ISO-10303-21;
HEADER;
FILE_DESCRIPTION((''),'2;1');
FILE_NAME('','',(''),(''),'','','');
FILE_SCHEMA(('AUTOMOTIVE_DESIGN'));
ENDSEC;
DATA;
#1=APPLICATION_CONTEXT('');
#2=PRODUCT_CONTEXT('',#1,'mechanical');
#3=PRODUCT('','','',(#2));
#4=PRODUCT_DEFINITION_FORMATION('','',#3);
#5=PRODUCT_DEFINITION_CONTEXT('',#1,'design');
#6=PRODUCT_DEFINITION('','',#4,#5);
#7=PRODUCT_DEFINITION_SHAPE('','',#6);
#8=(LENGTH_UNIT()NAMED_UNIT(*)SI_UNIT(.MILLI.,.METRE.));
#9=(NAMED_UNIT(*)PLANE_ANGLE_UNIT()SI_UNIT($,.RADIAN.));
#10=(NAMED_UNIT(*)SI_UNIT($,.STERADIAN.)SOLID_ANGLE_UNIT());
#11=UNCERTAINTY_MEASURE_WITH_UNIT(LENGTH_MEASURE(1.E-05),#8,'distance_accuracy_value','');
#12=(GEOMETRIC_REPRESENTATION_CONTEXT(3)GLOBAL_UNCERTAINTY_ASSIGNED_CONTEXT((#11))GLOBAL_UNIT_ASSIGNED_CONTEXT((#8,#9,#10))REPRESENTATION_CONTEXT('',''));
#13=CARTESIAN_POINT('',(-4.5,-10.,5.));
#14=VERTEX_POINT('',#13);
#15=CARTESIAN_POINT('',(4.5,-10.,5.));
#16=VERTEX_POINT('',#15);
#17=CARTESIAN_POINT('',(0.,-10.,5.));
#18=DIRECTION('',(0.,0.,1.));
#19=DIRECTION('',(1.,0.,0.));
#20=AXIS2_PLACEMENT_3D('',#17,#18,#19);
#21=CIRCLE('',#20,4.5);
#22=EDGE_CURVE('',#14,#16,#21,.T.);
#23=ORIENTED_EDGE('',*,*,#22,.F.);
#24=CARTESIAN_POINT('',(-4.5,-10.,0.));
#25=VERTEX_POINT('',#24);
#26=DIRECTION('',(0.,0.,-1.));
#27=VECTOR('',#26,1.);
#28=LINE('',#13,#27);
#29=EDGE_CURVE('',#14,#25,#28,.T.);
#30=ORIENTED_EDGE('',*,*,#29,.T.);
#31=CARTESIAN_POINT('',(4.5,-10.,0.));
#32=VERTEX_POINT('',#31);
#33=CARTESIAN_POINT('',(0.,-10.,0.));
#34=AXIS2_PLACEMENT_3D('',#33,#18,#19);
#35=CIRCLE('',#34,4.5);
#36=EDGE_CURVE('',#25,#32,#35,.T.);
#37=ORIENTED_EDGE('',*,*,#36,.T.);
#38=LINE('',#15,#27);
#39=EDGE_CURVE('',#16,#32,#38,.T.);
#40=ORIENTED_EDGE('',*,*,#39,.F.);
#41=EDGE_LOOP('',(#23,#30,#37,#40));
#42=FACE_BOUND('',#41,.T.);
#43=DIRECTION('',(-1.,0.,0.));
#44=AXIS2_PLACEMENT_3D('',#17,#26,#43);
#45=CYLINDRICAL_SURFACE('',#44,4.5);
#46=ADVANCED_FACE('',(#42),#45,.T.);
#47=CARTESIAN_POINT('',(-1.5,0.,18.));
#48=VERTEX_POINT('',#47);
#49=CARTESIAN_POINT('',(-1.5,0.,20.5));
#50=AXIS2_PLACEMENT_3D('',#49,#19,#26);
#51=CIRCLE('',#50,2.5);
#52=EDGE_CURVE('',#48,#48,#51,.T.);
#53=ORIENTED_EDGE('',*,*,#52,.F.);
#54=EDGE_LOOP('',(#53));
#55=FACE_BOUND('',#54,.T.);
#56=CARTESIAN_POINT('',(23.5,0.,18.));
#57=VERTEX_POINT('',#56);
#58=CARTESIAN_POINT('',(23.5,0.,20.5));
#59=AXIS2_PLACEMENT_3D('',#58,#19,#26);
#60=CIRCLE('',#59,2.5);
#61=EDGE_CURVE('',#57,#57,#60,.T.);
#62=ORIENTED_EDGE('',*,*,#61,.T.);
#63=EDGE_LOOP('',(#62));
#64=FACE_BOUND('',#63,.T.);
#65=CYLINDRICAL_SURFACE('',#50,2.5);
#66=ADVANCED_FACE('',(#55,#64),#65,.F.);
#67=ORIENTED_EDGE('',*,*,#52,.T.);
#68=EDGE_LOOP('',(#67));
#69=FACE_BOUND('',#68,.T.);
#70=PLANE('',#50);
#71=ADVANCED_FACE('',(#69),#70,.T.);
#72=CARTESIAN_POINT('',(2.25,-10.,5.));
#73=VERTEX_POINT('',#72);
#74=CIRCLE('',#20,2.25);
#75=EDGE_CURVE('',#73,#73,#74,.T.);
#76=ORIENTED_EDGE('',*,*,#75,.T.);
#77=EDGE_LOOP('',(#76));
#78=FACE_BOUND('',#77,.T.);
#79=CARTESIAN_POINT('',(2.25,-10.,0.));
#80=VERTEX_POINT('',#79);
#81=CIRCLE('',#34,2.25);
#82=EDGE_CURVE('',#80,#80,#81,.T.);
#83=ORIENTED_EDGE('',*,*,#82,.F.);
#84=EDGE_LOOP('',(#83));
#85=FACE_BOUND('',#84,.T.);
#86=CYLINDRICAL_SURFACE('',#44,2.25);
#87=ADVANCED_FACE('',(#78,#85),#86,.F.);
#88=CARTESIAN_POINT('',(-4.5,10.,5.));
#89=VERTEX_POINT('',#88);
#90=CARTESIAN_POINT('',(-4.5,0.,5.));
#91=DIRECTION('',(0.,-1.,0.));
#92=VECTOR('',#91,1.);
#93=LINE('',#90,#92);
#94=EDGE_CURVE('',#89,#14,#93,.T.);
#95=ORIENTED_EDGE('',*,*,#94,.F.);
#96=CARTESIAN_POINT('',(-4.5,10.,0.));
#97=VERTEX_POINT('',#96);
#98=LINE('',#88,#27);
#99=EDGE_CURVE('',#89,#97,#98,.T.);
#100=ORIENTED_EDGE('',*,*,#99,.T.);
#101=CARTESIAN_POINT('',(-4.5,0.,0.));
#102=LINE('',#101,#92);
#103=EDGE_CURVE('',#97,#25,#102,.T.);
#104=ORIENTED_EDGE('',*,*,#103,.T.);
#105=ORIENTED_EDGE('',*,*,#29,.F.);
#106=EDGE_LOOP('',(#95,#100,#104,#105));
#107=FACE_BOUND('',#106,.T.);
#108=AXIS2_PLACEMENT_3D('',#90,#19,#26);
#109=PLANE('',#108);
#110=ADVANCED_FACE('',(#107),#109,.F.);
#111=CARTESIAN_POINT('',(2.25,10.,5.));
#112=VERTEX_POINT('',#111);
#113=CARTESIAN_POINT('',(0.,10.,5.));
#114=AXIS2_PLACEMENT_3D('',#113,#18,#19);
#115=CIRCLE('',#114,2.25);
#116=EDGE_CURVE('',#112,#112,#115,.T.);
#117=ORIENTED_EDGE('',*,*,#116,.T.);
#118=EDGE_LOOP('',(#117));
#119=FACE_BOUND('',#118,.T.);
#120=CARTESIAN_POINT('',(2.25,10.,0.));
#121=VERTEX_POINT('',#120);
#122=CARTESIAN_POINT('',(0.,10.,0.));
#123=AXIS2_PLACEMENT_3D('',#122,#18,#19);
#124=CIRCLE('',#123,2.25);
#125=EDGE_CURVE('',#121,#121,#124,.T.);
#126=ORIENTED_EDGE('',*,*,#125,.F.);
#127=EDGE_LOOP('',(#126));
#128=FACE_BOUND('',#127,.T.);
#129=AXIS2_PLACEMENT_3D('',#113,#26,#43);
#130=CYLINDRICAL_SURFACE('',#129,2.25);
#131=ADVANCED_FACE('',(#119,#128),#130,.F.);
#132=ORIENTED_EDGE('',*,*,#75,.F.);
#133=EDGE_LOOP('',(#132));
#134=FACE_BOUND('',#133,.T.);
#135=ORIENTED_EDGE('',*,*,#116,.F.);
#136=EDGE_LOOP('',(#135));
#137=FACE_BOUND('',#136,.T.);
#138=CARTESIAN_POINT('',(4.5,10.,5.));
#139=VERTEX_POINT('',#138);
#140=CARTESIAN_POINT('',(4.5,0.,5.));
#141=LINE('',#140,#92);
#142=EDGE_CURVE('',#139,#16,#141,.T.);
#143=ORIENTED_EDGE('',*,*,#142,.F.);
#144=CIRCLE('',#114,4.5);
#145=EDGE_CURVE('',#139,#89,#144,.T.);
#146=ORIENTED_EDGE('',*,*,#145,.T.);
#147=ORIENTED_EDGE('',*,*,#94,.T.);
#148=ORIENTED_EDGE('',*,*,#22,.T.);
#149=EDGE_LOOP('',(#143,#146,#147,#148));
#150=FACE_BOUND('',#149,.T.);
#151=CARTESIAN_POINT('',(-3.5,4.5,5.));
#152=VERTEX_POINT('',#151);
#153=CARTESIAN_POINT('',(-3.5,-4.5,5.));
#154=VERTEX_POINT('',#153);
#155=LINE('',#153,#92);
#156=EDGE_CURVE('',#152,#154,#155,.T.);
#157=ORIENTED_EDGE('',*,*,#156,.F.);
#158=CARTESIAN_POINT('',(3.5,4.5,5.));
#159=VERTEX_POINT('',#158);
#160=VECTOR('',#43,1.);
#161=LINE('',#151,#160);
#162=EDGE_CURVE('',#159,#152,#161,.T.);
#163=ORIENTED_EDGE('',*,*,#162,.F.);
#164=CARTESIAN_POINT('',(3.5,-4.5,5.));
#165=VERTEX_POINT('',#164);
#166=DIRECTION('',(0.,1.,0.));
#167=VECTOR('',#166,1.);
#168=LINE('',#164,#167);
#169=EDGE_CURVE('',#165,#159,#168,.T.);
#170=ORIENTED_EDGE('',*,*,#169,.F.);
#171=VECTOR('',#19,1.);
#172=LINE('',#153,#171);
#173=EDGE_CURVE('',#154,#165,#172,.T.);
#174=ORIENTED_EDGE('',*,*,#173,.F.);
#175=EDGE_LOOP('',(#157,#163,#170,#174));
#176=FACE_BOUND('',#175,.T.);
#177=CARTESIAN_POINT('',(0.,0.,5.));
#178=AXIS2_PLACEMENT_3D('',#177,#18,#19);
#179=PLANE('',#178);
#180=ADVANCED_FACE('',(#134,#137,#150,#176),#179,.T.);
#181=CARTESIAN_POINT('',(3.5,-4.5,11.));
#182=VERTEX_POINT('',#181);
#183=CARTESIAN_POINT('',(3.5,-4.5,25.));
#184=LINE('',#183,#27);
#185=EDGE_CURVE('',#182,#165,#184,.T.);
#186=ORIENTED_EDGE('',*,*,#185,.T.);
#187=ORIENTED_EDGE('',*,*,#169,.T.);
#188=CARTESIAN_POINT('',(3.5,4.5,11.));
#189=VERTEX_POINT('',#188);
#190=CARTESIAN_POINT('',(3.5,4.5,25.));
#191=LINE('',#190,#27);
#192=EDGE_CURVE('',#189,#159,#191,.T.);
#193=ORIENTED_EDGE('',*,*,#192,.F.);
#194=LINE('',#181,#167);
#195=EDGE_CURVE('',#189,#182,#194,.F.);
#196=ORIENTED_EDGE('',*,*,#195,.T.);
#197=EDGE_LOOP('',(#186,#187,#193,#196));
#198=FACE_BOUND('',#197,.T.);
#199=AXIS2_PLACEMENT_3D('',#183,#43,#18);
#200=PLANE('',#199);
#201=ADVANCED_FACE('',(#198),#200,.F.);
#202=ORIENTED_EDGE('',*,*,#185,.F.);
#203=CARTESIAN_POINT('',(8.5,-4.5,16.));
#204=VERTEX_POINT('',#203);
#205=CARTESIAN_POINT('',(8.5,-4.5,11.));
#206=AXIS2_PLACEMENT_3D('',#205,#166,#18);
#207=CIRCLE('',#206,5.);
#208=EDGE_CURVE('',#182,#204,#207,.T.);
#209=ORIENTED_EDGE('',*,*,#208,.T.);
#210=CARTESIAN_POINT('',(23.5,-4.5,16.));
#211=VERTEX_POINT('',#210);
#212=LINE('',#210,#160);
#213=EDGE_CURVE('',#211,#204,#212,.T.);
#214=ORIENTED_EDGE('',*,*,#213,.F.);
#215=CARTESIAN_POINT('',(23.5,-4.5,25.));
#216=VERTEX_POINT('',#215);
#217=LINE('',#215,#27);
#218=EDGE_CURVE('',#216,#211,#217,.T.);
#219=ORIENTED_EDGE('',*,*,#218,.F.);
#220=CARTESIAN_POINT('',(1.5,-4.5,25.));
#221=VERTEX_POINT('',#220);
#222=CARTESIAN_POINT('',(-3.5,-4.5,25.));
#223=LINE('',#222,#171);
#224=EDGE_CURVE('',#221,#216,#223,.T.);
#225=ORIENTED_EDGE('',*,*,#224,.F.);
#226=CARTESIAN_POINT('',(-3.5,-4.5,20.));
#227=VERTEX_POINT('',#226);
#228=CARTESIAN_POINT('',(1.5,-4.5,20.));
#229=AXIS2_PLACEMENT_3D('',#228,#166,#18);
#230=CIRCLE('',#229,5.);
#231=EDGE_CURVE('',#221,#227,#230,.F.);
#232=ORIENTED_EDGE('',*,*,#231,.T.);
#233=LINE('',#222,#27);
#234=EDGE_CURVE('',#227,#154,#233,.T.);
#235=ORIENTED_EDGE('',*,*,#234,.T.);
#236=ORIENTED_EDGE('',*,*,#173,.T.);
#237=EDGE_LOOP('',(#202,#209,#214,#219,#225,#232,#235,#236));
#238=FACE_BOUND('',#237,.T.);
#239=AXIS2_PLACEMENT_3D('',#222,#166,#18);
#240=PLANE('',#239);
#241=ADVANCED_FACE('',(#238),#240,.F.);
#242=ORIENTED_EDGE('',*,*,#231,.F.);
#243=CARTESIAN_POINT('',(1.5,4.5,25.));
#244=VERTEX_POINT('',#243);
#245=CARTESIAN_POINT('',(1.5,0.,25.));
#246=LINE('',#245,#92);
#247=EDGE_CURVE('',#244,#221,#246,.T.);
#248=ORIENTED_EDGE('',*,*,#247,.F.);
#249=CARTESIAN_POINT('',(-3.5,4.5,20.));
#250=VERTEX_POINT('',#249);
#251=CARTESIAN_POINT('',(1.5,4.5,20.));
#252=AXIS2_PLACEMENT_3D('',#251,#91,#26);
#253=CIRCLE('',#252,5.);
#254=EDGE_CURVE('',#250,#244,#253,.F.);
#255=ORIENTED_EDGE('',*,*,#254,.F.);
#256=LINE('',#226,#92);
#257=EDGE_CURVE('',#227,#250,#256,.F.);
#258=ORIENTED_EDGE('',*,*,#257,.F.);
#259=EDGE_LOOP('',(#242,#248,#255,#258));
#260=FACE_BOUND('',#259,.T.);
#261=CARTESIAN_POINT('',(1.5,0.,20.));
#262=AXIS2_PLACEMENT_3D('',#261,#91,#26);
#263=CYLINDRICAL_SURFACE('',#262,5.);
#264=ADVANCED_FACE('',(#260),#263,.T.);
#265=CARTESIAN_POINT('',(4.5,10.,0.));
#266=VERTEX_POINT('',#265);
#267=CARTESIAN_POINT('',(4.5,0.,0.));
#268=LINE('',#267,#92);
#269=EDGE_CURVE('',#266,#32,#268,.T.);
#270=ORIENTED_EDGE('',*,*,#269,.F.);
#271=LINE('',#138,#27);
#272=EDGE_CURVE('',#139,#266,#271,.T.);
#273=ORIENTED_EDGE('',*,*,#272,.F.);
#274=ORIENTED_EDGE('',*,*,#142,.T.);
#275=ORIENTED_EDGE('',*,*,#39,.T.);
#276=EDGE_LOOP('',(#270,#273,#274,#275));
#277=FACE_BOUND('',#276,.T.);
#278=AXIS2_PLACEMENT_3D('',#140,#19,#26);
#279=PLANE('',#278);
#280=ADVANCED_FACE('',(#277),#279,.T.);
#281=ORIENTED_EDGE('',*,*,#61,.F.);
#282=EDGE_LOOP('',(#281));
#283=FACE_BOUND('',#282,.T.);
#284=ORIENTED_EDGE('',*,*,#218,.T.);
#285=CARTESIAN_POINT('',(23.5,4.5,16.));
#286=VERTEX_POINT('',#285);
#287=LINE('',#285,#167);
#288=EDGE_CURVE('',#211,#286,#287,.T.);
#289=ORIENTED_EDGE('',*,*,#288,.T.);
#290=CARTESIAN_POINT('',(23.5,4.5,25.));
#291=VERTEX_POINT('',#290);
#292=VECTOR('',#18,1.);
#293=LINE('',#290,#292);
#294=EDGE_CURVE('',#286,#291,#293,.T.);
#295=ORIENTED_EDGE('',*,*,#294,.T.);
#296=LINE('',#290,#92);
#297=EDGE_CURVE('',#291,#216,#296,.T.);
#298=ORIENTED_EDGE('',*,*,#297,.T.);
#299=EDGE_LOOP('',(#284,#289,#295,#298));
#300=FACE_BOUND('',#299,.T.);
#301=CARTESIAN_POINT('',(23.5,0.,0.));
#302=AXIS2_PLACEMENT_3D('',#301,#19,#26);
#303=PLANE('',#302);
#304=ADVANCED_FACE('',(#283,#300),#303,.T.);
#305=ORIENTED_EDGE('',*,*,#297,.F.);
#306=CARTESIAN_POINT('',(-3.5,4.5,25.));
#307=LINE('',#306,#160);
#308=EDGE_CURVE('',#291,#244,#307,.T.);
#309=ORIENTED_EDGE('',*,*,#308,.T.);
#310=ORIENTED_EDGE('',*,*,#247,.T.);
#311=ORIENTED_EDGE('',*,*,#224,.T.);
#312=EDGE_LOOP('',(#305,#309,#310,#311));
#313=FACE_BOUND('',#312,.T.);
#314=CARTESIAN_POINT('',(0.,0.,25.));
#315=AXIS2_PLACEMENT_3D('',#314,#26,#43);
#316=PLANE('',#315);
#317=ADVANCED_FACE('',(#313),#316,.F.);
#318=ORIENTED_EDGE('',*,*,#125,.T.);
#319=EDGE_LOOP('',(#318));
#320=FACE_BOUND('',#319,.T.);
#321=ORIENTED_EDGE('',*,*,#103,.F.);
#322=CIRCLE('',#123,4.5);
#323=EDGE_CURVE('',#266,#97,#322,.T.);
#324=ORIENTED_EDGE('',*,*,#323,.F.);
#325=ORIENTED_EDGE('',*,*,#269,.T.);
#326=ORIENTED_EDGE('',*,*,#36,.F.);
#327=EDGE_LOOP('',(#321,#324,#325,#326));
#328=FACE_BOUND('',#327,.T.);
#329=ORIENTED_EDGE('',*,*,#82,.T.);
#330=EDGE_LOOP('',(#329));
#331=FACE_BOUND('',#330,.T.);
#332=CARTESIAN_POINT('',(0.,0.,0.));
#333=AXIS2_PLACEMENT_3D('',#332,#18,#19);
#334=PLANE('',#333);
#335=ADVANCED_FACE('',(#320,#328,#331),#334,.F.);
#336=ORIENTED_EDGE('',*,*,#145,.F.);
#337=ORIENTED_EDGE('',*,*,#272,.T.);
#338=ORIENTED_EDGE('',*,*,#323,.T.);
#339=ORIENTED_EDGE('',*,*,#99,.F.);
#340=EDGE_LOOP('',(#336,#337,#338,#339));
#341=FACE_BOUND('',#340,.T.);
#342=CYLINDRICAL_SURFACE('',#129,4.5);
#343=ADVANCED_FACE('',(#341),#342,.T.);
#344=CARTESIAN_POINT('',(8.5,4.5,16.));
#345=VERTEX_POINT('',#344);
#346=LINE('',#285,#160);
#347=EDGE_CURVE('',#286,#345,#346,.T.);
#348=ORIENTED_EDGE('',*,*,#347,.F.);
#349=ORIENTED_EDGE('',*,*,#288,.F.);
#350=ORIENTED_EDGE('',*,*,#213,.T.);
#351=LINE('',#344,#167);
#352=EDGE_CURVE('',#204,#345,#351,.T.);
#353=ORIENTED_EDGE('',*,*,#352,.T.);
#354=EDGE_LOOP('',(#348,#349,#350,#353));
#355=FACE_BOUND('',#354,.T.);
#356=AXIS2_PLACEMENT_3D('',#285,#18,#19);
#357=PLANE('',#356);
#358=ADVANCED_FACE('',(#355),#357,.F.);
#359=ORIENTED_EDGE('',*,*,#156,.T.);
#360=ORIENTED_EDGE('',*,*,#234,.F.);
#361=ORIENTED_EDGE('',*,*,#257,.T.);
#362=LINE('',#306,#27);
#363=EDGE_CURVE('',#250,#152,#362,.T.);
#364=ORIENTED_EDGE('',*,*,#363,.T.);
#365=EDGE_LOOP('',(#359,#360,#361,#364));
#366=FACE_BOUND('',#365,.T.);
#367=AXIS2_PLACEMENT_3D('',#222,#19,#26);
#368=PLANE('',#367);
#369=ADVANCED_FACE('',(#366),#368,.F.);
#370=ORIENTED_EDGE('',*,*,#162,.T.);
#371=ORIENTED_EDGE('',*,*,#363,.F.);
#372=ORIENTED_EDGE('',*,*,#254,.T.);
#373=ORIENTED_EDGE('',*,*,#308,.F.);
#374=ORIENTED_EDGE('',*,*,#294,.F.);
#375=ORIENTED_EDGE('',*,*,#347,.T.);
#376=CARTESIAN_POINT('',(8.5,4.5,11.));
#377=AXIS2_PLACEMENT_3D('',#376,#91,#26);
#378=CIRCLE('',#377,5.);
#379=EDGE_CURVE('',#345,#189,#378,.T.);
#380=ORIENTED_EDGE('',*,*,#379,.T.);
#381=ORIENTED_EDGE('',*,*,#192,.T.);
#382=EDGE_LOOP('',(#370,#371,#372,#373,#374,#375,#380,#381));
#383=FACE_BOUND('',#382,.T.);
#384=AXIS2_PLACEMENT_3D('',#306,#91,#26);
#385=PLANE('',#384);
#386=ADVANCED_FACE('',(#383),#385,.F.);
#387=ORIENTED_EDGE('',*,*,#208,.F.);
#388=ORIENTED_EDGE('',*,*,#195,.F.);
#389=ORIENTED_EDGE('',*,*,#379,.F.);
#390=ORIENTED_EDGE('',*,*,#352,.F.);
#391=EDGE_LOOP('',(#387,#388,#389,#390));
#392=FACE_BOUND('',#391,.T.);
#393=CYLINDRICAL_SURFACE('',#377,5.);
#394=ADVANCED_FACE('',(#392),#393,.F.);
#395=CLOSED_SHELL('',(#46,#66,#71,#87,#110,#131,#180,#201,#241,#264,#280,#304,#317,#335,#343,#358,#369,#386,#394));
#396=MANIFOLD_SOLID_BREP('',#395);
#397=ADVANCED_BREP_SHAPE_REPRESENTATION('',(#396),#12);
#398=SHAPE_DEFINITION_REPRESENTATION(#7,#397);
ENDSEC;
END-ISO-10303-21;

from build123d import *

# Parameters (mm, degrees)
SKETCH1_R           = 2.25
BOSS_EXTRUDE1_DEPTH = 5
SKETCH2_W           = 7
SKETCH2_H           = 9
BOSS_EXTRUDE2_DEPTH = 20
SKETCH4_W           = 9
SKETCH4_H           = 9
BOSS_EXTRUDE4_DEPTH = 20
SKETCH5_R           = 2.5
CUT_EXTRUDE1_DEPTH  = 25
FILLET1_R           = 5
FILLET2_R           = 5


with BuildPart() as part:
    # Sketch1 → Boss-Extrude1 (new body)
    with BuildSketch(Plane.XY):
        with BuildLine():
            ThreePointArc((4.5, 10), (0, 14.5), (-4.5, 10))
            Line((-4.5, 10), (-4.5, -10))
            ThreePointArc((-4.5, -10), (0, -14.5), (4.5, -10))
            Line((4.5, -10), (4.5, 10))
        make_face()
        with Locations((0, 10)):
            Circle(SKETCH1_R, mode=Mode.SUBTRACT)
        with Locations((0, -10)):
            Circle(SKETCH1_R, mode=Mode.SUBTRACT)
    extrude(amount=BOSS_EXTRUDE1_DEPTH)

    # Sketch2 → Boss-Extrude2 (add)
    with BuildSketch(Plane.XY.offset(5)):
        Rectangle(SKETCH2_W, SKETCH2_H)
    extrude(amount=BOSS_EXTRUDE2_DEPTH)

    # Sketch4 → Boss-Extrude4 (add)
    with BuildSketch(Plane(origin=(3.5, 0, 0), x_dir=(0, 0, -1), z_dir=(1, 0, 0))):
        with Locations((-20.5, 0)):
            Rectangle(SKETCH4_W, SKETCH4_H)
    extrude(amount=BOSS_EXTRUDE4_DEPTH)

    # Sketch5 → Cut-Extrude1 (cut)
    with BuildSketch(Plane(origin=(23.5, 0, 0), x_dir=(0, 0, -1), z_dir=(1, 0, 0))):
        with Locations((-20.5, 0)):
            Circle(SKETCH5_R)
    extrude(amount=-CUT_EXTRUDE1_DEPTH, mode=Mode.SUBTRACT)

    # Fillet1
    fillet1_edges = [part.edges().sort_by_distance(p)[0] for p in [
        (3.5, 0, 16),
    ]]
    fillet(fillet1_edges, radius=FILLET1_R)

    # Fillet2
    fillet2_edges = [part.edges().sort_by_distance(p)[0] for p in [
        (-3.5, 0, 25),
    ]]
    fillet(fillet2_edges, radius=FILLET2_R)


solid = part.part
